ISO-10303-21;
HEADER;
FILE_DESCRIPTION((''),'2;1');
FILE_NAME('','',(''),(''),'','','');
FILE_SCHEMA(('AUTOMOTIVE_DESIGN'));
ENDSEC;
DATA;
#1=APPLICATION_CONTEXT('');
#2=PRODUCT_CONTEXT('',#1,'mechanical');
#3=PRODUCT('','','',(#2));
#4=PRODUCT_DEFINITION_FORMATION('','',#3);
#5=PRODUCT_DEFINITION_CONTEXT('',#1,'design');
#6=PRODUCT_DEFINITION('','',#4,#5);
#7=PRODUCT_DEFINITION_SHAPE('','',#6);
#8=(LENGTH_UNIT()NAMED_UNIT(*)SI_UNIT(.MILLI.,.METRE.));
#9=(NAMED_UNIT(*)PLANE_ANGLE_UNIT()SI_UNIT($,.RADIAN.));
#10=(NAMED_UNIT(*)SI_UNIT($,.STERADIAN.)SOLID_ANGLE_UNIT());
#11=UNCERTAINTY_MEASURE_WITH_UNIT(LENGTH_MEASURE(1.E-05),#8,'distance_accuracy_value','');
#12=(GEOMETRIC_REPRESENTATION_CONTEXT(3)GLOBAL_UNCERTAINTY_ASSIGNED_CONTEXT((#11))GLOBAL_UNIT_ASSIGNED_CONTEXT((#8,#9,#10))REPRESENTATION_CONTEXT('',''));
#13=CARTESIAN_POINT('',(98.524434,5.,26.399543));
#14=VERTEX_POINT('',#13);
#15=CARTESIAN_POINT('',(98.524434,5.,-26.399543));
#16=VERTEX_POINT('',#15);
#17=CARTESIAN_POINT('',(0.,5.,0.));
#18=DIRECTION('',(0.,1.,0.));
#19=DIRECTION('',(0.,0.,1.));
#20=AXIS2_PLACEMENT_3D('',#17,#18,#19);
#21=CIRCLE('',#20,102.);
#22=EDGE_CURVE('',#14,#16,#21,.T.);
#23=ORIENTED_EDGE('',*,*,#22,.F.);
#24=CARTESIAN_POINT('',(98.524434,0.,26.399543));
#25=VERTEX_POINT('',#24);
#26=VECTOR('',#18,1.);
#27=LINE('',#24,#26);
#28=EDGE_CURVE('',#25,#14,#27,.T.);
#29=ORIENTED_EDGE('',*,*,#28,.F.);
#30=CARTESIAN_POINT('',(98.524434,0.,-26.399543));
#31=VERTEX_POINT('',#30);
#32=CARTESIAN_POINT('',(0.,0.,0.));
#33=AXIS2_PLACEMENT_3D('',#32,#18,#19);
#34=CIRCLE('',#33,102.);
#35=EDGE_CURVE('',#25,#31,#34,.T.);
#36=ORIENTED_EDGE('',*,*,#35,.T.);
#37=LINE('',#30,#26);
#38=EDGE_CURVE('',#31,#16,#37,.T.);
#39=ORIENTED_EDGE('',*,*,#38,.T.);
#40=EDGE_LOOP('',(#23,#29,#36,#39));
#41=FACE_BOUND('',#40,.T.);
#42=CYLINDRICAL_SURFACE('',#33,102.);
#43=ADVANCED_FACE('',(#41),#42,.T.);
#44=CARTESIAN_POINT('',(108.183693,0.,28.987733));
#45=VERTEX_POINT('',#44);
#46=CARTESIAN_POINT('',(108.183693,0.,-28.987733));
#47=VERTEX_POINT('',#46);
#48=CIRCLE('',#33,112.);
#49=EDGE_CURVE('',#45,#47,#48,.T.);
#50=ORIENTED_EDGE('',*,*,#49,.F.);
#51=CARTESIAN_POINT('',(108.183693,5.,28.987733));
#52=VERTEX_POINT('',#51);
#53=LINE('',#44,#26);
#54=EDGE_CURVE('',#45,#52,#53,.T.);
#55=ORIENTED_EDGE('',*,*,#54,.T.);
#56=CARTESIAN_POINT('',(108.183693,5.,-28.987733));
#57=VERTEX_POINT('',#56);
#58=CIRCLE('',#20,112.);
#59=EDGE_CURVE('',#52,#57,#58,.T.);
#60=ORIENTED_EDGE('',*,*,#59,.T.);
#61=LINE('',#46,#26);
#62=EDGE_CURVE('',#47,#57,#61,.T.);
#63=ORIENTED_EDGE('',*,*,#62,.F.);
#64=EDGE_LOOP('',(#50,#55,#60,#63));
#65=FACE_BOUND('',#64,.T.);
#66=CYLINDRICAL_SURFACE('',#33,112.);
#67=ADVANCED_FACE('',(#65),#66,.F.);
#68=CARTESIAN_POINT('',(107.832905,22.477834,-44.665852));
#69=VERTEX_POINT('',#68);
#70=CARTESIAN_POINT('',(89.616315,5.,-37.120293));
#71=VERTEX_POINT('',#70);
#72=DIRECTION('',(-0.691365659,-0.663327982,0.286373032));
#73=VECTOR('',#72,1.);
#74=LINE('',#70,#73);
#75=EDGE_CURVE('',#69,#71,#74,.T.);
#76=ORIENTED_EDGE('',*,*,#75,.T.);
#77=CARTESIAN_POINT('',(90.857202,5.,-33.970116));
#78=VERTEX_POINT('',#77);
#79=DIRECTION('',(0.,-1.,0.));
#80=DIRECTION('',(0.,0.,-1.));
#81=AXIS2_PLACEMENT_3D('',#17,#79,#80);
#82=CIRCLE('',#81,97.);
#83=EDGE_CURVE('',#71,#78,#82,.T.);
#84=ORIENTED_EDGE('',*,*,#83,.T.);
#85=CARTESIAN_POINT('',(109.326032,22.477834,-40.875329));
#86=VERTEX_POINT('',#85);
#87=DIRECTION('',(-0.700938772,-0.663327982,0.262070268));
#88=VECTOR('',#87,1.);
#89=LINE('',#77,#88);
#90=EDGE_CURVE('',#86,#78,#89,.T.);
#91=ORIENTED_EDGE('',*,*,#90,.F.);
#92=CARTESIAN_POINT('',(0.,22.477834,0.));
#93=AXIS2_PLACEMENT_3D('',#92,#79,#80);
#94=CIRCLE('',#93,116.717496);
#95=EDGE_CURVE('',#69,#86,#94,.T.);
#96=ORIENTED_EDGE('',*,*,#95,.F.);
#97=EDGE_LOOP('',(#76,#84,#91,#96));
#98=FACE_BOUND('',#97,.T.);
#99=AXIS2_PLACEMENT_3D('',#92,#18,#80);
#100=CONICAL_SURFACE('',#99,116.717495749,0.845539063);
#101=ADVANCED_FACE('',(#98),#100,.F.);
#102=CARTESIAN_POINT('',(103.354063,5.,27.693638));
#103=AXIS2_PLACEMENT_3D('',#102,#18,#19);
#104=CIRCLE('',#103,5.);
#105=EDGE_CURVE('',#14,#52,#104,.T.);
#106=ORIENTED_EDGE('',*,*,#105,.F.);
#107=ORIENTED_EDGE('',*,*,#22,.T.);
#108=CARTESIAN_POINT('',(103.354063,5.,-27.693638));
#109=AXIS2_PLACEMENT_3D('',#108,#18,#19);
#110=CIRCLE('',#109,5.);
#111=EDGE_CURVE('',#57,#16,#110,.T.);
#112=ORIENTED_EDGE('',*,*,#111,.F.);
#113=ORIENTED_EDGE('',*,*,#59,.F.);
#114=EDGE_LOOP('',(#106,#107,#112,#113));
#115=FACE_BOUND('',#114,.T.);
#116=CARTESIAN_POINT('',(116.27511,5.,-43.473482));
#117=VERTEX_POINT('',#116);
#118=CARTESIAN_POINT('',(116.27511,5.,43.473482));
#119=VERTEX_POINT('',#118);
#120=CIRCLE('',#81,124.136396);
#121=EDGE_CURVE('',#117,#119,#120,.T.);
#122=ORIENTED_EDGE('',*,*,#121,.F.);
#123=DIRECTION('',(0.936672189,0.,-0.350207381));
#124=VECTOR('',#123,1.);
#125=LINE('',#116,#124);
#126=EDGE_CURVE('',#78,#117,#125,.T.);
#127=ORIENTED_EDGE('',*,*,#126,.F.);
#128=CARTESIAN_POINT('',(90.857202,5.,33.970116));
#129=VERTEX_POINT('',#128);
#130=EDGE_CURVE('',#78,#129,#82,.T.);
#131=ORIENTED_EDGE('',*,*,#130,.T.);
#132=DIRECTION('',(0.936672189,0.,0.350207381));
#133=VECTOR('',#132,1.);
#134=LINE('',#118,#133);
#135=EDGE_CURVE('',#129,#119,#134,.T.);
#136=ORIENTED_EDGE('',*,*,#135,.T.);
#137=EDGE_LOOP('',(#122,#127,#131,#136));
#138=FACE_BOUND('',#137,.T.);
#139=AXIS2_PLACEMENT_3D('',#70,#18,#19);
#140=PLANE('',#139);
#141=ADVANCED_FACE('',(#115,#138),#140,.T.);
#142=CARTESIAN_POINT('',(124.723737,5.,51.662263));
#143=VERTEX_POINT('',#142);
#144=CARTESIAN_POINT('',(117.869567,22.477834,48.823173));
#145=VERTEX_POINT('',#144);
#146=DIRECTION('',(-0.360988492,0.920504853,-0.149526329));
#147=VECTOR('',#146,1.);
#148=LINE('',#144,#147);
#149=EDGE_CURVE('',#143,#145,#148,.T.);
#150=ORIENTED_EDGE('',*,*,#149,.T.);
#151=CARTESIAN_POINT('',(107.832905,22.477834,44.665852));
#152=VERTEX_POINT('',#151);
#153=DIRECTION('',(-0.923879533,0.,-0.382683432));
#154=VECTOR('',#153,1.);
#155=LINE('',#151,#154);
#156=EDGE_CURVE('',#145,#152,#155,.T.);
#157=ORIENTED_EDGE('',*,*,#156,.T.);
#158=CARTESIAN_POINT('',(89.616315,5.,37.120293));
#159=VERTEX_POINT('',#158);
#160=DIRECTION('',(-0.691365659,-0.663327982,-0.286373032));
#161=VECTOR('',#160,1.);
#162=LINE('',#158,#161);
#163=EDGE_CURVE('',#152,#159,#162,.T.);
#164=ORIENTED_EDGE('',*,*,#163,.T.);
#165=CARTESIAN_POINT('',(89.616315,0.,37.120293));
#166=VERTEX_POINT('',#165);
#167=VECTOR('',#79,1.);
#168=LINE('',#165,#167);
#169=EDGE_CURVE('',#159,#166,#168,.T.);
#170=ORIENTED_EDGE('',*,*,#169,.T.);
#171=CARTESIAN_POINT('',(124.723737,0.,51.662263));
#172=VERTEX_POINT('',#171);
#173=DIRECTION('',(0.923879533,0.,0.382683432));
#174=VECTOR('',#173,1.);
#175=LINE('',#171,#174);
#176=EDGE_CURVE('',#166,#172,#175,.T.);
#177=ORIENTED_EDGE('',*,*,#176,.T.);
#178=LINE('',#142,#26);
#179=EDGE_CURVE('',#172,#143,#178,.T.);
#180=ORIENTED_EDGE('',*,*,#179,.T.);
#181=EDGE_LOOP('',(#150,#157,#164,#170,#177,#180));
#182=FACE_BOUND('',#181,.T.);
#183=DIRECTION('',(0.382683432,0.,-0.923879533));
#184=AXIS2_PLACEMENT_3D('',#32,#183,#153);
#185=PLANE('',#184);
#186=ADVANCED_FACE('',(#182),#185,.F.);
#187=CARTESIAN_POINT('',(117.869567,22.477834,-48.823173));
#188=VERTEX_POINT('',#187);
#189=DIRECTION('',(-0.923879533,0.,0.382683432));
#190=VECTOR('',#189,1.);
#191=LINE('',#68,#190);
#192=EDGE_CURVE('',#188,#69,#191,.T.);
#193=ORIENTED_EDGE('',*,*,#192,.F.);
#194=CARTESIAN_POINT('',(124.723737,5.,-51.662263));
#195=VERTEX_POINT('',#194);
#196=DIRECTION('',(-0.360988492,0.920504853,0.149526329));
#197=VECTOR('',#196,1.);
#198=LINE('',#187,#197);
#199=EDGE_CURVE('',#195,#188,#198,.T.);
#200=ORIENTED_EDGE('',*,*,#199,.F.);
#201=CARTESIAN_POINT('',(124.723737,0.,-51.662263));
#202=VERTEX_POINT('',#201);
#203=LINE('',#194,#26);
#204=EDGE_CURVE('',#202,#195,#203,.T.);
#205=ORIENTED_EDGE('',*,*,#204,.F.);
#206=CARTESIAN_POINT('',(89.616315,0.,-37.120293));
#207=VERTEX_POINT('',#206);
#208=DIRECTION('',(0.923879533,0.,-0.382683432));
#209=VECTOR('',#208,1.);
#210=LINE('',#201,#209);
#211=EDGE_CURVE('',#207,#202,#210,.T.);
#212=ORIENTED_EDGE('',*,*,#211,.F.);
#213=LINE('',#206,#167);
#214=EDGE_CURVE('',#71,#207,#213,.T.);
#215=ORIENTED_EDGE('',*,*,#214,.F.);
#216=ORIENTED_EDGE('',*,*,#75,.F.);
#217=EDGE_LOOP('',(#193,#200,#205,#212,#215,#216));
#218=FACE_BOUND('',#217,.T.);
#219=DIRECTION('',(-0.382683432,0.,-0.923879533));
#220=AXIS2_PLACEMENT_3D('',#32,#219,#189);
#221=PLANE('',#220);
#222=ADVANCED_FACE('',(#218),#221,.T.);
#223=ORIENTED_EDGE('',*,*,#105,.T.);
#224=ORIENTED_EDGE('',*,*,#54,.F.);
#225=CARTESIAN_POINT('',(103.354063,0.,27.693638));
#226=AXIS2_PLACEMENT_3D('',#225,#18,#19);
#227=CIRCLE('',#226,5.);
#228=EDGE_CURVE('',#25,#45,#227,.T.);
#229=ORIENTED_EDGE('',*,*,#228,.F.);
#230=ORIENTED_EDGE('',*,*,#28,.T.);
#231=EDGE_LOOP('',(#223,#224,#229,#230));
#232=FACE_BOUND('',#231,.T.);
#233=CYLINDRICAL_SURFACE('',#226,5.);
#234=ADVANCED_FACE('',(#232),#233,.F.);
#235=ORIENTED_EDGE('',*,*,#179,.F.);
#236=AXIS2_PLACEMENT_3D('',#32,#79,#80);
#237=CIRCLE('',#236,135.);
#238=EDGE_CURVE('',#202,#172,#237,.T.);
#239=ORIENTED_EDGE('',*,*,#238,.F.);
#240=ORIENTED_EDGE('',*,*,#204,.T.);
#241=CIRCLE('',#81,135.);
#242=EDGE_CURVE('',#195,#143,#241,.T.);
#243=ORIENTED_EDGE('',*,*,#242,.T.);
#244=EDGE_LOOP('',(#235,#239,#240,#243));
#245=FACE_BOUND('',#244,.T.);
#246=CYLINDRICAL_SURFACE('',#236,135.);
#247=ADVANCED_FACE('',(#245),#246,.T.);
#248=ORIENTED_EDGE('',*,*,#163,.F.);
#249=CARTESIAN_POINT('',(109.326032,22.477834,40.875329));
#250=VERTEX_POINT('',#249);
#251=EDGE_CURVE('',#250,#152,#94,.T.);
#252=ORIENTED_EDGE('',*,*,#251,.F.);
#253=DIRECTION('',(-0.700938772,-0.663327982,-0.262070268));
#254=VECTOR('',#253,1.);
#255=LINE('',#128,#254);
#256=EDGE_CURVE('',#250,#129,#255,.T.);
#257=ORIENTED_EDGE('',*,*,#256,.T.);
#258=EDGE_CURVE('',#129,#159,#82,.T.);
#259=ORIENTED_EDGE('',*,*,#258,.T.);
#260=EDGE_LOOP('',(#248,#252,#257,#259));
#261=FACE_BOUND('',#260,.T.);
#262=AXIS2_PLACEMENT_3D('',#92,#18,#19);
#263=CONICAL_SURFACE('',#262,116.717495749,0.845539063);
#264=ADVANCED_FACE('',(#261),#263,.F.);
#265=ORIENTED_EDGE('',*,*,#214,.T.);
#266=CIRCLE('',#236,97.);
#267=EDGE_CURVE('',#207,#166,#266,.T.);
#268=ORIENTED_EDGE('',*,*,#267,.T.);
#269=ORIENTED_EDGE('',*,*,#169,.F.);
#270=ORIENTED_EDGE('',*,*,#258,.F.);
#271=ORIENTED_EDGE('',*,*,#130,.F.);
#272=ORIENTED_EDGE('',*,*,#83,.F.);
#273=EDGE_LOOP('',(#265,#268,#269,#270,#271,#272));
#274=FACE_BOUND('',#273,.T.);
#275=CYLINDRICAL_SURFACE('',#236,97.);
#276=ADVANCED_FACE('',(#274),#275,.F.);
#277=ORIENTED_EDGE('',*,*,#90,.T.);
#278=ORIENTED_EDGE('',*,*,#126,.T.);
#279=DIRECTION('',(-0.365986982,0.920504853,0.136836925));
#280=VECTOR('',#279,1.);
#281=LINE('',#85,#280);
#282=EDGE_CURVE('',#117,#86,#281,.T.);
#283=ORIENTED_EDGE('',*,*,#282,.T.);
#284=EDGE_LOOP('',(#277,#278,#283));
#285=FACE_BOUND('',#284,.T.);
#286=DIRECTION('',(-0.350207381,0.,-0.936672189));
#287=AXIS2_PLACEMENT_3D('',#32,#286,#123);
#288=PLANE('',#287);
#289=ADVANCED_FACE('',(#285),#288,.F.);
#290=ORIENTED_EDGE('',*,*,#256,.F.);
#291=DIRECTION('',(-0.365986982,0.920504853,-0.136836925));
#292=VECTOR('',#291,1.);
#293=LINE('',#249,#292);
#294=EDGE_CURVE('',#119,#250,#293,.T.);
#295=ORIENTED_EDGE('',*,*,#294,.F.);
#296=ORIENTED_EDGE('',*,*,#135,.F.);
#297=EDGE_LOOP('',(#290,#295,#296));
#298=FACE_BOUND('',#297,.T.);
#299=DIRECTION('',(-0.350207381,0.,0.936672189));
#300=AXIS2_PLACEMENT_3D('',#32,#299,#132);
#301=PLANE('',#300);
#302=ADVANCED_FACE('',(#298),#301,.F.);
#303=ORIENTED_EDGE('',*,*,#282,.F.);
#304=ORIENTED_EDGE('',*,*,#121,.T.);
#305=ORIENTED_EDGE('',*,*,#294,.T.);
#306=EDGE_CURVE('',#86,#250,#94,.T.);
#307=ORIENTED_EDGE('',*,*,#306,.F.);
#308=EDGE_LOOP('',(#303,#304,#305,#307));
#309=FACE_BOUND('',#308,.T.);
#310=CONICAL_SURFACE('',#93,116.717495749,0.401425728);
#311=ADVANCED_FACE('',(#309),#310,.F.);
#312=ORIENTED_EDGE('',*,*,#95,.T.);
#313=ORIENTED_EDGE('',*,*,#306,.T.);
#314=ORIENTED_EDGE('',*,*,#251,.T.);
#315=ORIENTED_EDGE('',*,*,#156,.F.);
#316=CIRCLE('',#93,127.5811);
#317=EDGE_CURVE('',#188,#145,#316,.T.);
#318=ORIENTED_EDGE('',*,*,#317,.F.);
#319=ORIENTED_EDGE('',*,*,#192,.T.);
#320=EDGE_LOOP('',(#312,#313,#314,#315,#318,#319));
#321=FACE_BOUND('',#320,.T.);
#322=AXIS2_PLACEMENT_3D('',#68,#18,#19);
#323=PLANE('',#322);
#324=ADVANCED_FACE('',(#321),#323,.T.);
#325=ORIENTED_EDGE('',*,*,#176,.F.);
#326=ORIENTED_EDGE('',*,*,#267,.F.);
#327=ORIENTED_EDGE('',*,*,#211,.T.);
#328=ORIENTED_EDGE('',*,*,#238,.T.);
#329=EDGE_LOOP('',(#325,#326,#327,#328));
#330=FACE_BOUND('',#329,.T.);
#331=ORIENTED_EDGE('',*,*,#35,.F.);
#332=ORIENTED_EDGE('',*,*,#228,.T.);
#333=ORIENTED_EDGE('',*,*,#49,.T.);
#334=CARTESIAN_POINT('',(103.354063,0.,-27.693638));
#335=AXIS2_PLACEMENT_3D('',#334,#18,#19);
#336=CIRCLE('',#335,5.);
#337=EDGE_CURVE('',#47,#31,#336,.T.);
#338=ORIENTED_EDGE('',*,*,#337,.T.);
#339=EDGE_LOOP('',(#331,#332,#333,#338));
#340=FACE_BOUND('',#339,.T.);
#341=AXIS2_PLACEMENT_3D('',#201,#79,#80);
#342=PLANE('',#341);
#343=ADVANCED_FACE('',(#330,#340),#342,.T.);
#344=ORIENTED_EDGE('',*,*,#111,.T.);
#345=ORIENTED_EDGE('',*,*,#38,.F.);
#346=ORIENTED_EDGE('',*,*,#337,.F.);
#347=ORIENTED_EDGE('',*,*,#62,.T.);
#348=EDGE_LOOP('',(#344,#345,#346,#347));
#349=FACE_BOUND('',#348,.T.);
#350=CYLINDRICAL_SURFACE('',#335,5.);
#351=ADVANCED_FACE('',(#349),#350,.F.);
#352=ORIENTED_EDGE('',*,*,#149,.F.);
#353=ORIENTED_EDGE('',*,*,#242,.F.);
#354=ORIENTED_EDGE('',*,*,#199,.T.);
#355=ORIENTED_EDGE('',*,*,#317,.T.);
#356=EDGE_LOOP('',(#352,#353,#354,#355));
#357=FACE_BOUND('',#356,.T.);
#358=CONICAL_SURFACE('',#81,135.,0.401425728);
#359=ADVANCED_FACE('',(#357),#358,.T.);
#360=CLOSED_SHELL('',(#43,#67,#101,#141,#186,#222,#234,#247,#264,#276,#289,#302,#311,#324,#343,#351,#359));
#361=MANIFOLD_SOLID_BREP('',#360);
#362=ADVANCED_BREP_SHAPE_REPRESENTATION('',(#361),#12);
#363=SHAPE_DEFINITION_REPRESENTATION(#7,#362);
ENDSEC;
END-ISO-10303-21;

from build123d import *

# Parameters (mm, degrees)
REVOLVE1_ANGLE     = 45
REVOLVE2_ANGLE     = 2
CUT_EXTRUDE1_DEPTH = 6


with BuildPart() as part:
    # Sketch1 → Revolve1 (revolve, symmetric)
    with BuildSketch(Plane.XY) as revolve1_sk:
        Polygon((97, 0), (97, 5), (124.136396226, 5), (116.717495749, 22.477834241), (127.581099523, 22.477834241), (135, 5), (135, 0), align=None)
    revolve(axis=Axis((0, 0, 0), (0, 1, 0)), revolution_arc=REVOLVE1_ANGLE / 2)
    revolve(revolve1_sk.sketch, axis=Axis((0, 0, 0), (0, -1, 0)), revolution_arc=REVOLVE1_ANGLE / 2)

    # Sketch2 → Revolve2 (revolve)
    with BuildSketch(Plane(origin=(0, 0, 0), x_dir=(0.923879533, 0, 0.382683432), z_dir=(-0.382683432, 0, 0.923879533))):
        Polygon((97, 5), (116.717495749, 22.477834241), (124.136396226, 5), align=None)
    revolve2 = revolve(axis=Axis((0, 0, 0), (0, 1, 0)), revolution_arc=REVOLVE2_ANGLE)

    # Mirror1: Revolve2 across plane
    add(revolve2.mirror(Plane.XY))

    # Sketch3 → Cut-Extrude1 (cut, through all)
    with BuildSketch(Plane(origin=(0, 5, 0), x_dir=(1, 0, 0), z_dir=(0, 1, 0))):
        with BuildLine():
            ThreePointArc((108.183692544, -28.987733051), (112, 0), (108.183692544, 28.987733051))
            ThreePointArc((108.183692544, 28.987733051), (102.059968187, 32.523266957), (98.524434281, 26.3995426))
            ThreePointArc((98.524434281, 26.3995426), (102, 0), (98.524434281, -26.3995426))
            ThreePointArc((98.524434281, -26.3995426), (102.059968187, -32.523266957), (108.183692544, -28.987733051))
        make_face()
    extrude(amount=-CUT_EXTRUDE1_DEPTH, mode=Mode.SUBTRACT)


solid = part.part
